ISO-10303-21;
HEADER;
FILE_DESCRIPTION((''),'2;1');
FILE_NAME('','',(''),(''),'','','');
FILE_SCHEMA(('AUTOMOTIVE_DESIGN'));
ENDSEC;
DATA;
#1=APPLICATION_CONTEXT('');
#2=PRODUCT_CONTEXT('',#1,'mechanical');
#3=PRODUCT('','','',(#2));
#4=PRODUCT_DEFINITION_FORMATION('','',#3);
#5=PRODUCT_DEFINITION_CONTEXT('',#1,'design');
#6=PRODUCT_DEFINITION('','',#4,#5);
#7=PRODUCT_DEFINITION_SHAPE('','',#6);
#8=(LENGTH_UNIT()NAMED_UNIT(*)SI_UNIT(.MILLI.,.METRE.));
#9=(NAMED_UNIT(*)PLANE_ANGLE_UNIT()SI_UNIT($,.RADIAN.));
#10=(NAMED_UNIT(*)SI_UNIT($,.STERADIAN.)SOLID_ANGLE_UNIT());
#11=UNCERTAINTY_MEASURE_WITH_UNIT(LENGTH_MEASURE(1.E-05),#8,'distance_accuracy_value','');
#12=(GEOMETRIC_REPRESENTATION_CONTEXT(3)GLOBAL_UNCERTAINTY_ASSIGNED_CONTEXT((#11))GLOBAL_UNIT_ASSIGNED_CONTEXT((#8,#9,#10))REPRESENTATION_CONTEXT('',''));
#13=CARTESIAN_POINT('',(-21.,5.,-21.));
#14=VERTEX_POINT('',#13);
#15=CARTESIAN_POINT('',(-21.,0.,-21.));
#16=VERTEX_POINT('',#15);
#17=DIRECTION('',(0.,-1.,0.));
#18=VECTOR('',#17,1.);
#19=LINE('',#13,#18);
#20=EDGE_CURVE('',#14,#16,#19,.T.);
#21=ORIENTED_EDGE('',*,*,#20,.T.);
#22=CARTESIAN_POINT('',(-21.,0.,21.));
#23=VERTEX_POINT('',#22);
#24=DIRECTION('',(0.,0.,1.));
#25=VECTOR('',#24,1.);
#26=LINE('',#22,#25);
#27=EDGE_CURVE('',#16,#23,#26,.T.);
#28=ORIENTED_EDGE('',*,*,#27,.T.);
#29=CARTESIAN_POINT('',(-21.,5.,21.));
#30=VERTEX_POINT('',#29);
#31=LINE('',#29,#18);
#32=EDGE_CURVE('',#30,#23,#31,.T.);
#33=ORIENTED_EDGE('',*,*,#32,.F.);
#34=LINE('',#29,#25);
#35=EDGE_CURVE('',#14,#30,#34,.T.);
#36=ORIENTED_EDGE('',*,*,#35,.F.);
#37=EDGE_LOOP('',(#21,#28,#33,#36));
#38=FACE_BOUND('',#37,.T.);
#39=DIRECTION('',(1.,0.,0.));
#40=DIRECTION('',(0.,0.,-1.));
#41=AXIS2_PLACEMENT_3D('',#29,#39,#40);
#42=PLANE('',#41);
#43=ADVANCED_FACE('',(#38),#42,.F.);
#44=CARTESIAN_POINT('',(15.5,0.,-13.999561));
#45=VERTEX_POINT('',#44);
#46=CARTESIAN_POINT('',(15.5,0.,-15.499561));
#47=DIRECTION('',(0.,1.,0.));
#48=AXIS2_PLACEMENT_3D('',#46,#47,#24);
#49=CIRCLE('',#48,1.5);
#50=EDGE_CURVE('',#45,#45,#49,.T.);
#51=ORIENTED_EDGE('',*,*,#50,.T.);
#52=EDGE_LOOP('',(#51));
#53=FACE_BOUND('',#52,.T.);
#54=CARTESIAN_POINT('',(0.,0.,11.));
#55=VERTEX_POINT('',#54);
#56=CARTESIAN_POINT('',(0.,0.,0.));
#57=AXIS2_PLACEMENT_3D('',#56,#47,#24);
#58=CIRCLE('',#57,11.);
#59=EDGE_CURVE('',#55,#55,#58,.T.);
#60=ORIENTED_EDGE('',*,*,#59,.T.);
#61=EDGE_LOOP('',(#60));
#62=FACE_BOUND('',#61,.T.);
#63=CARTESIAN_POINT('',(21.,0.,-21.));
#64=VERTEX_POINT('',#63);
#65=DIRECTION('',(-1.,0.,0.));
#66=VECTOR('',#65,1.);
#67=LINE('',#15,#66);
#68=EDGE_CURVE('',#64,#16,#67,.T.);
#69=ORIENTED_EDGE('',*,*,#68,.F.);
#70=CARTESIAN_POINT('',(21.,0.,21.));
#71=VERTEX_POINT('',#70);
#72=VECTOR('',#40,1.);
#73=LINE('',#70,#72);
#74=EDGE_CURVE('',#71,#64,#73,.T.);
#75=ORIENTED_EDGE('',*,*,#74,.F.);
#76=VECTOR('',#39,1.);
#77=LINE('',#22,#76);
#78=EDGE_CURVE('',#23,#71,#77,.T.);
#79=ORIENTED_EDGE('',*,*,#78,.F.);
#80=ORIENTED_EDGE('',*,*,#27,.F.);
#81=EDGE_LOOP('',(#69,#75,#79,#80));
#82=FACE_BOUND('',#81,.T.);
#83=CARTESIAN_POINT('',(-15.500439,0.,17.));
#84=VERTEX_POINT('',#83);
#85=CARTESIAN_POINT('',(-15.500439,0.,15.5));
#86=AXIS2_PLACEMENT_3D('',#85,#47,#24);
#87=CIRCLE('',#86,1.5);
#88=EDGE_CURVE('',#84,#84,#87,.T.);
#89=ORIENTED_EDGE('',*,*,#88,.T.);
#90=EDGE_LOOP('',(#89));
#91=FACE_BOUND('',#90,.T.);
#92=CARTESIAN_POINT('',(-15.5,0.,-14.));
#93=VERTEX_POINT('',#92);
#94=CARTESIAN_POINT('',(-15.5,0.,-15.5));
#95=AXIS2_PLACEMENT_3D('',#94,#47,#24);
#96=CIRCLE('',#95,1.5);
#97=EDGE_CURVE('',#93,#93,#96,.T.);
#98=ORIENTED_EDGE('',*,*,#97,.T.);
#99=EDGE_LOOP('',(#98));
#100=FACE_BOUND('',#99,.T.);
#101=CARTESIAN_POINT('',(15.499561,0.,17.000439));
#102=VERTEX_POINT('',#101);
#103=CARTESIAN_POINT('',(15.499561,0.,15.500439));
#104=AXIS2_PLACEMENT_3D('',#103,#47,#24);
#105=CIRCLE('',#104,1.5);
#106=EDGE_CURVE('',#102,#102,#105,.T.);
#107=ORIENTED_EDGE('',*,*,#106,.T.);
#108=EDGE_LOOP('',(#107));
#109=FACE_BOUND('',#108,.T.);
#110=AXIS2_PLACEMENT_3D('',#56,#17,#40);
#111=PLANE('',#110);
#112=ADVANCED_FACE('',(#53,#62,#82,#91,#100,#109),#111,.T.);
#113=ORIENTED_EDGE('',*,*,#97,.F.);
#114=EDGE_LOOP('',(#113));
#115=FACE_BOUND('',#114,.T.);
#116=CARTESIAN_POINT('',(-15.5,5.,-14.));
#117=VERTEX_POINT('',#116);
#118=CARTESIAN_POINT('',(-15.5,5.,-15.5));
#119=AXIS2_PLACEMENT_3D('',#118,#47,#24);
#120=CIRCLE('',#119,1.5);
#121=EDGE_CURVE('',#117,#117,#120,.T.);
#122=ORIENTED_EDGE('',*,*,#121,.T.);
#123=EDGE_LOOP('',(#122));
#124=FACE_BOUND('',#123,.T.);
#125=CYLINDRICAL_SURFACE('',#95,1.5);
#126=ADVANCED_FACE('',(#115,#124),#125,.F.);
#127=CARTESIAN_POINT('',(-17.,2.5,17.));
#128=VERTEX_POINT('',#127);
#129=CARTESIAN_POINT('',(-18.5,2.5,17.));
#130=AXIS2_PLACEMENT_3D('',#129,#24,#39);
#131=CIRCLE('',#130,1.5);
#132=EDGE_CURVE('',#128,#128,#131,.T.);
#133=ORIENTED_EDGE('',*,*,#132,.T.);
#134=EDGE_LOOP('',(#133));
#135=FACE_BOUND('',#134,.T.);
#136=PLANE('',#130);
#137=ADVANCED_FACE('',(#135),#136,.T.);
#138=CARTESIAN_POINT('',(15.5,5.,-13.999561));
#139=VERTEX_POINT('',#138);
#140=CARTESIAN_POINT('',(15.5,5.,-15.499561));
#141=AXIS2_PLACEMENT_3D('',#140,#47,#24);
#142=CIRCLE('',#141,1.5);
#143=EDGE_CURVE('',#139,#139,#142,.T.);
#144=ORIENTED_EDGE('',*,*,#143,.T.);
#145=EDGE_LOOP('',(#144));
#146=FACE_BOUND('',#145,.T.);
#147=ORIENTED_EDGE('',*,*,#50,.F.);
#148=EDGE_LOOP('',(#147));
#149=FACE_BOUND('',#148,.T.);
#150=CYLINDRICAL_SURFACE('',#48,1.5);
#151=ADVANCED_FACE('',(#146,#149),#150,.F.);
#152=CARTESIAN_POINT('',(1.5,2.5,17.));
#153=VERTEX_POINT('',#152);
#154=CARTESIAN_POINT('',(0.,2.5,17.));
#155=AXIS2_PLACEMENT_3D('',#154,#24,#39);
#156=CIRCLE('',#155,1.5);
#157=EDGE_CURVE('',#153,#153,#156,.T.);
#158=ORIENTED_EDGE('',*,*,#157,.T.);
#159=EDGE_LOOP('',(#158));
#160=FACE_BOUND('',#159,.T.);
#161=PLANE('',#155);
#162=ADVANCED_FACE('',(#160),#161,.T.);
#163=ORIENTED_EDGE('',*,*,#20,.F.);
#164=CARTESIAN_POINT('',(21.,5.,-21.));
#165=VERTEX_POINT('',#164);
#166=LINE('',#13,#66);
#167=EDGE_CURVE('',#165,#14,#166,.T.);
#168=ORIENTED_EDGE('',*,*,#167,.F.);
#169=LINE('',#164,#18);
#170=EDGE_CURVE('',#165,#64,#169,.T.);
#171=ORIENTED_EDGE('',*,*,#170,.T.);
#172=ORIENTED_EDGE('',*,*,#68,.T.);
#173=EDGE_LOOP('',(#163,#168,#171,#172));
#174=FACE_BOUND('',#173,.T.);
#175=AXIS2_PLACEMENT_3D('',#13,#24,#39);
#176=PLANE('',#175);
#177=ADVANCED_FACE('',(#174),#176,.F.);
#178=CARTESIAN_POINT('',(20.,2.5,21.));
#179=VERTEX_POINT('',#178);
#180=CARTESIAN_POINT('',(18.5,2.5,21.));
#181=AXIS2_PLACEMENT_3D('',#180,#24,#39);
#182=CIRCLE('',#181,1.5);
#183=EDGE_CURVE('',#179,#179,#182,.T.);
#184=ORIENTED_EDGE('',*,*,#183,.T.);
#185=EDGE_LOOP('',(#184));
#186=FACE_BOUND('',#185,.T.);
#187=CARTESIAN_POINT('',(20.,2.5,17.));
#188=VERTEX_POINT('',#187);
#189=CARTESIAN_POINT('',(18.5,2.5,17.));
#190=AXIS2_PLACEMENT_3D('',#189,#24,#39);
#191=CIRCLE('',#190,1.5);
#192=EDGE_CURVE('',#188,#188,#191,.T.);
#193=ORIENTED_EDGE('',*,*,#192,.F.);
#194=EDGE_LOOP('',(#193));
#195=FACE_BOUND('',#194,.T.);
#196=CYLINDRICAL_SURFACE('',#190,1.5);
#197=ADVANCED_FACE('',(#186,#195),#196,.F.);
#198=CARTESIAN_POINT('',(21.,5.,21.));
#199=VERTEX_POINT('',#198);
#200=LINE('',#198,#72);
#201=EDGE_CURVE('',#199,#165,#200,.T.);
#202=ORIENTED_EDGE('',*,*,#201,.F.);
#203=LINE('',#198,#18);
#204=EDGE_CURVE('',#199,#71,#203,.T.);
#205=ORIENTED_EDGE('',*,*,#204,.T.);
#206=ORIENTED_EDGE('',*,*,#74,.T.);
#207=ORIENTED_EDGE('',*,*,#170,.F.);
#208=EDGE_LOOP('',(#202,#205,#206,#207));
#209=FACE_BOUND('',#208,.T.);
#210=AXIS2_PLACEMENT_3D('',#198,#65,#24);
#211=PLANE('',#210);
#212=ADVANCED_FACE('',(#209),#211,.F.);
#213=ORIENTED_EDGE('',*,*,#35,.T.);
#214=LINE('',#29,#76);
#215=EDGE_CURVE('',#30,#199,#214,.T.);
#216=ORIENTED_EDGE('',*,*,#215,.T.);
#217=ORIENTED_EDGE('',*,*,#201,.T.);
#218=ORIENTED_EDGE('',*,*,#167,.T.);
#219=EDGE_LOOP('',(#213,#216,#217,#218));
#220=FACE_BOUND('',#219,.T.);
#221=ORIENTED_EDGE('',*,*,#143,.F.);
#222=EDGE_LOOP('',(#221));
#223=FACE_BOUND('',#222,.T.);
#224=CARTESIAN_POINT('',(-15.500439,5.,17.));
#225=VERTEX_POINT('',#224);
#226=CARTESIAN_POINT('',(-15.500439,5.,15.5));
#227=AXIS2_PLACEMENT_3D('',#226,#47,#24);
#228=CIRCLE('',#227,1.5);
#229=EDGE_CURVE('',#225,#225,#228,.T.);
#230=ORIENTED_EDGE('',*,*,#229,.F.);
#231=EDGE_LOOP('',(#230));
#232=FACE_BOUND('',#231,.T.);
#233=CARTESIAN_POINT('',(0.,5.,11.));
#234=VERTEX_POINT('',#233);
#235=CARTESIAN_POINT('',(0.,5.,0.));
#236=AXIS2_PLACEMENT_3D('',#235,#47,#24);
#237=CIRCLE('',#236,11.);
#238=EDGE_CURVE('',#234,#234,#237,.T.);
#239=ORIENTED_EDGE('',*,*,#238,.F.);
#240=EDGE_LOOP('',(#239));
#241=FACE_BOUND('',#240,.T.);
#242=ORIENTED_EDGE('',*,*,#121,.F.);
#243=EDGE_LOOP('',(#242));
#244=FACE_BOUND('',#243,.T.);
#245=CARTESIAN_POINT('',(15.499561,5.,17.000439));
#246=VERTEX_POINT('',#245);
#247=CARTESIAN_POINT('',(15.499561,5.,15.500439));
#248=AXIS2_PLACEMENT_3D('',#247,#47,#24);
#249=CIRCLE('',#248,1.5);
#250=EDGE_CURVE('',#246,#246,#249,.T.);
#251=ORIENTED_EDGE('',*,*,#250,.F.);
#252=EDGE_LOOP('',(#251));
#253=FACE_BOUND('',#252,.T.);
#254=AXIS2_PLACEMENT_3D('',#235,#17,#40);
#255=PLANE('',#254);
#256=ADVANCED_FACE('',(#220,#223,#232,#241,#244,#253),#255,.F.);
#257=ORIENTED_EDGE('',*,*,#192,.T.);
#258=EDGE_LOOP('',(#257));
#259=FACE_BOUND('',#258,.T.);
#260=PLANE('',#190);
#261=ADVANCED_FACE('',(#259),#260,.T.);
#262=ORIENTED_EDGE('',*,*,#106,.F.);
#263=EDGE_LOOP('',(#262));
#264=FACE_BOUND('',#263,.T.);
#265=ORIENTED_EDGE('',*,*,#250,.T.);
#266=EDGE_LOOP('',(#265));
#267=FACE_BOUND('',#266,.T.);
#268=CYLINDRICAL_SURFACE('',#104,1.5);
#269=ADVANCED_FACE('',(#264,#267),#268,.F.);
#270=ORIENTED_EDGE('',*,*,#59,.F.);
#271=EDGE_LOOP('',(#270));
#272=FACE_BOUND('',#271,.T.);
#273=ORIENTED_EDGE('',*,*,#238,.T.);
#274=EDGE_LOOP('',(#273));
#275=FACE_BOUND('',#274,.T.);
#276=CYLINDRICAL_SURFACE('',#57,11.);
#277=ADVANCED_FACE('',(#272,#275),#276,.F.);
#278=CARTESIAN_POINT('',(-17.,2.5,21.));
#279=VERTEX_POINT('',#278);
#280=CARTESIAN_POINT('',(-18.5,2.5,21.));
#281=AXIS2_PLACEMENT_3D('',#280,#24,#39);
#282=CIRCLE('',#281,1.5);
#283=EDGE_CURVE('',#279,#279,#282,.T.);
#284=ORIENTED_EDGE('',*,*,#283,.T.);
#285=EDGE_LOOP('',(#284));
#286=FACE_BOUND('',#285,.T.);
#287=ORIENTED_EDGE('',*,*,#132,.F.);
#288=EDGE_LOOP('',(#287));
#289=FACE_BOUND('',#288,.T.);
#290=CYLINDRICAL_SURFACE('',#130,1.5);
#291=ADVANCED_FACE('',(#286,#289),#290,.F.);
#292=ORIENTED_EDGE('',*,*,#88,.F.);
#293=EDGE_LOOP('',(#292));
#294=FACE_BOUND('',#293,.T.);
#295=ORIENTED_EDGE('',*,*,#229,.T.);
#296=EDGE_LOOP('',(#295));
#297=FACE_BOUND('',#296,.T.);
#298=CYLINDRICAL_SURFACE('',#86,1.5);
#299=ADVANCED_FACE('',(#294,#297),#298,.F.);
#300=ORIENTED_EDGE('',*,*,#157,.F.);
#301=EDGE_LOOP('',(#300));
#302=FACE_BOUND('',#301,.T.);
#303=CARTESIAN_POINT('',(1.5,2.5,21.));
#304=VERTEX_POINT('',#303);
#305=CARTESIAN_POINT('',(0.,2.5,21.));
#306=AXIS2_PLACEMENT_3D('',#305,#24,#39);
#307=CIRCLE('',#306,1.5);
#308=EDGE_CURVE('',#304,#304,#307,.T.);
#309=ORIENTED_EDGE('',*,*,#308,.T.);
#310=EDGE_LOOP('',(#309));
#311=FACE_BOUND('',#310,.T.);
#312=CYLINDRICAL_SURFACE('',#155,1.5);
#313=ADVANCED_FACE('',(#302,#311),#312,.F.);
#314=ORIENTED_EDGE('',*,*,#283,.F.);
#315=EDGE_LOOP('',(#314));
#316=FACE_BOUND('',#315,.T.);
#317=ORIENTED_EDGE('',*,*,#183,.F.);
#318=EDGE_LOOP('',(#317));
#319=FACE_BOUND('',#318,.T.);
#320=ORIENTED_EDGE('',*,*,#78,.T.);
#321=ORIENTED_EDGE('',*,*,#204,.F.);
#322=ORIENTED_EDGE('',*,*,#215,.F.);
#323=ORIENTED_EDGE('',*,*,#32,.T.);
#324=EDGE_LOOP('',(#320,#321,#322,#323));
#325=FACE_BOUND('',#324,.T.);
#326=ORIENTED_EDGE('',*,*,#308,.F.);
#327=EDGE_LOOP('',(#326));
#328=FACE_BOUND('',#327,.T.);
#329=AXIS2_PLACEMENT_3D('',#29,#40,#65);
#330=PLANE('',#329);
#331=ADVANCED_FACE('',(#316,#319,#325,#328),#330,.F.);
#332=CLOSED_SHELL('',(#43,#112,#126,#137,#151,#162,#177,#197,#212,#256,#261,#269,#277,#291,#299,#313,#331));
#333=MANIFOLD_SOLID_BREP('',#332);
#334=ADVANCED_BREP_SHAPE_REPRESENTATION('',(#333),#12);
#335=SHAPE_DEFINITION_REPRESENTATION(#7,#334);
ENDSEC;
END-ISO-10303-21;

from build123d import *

# Parameters (mm, degrees)
SKETCH_1_W          = 42
SKETCH_1_H          = 42
EXTRUDE_1_DEPTH     = 5
SKETCH_3_R          = 11
SKETCH_3_R_2        = 1.5
CUT_EXTRUDE_1_DEPTH = 31.116440693
SKETCH_2_R          = 1.5
CUT_EXTRUDE_3_DEPTH = 4


with BuildPart() as part:
    # 스케치1 → 보스-돌출1 (new body)
    with BuildSketch(Plane(origin=(0, 0, 0), x_dir=(1, 0, 0), z_dir=(0, 1, 0))):
        Rectangle(SKETCH_1_W, SKETCH_1_H)
    extrude(amount=EXTRUDE_1_DEPTH)

    # 스케치3 → 컷-돌출1 (cut, through all)
    with BuildSketch(Plane(origin=(0, 5, 0), x_dir=(1, 0, 0), z_dir=(0, 1, 0))):
        with Locations(Location((0, 0, 0), (0, 0, 270))):
            Circle(SKETCH_3_R)
        with Locations(Location((-15.5, 15.5, 0), (0, 0, 270))):
            Circle(SKETCH_3_R_2)
        with Locations(Location((15.499999997, 15.49956129, 0), (0, 0, 270))):
            Circle(SKETCH_3_R_2)
        with Locations(Location((15.499561287, -15.500438707, 0), (0, 0, 270))):
            Circle(SKETCH_3_R_2)
        with Locations(Location((-15.50043871, -15.499999997, 0), (0, 0, 270))):
            Circle(SKETCH_3_R_2)
    extrude(amount=-CUT_EXTRUDE_1_DEPTH, mode=Mode.SUBTRACT)

    # 스케치2 → 컷-돌출3 (cut)
    with BuildSketch(Plane.XY.offset(21)):
        with Locations((-18.5, 2.5)):
            Circle(SKETCH_2_R)
        with Locations((18.5, 2.5)):
            Circle(SKETCH_2_R)
        with Locations((0, 2.5)):
            Circle(SKETCH_2_R)
    extrude(amount=-CUT_EXTRUDE_3_DEPTH, mode=Mode.SUBTRACT)


solid = part.part
